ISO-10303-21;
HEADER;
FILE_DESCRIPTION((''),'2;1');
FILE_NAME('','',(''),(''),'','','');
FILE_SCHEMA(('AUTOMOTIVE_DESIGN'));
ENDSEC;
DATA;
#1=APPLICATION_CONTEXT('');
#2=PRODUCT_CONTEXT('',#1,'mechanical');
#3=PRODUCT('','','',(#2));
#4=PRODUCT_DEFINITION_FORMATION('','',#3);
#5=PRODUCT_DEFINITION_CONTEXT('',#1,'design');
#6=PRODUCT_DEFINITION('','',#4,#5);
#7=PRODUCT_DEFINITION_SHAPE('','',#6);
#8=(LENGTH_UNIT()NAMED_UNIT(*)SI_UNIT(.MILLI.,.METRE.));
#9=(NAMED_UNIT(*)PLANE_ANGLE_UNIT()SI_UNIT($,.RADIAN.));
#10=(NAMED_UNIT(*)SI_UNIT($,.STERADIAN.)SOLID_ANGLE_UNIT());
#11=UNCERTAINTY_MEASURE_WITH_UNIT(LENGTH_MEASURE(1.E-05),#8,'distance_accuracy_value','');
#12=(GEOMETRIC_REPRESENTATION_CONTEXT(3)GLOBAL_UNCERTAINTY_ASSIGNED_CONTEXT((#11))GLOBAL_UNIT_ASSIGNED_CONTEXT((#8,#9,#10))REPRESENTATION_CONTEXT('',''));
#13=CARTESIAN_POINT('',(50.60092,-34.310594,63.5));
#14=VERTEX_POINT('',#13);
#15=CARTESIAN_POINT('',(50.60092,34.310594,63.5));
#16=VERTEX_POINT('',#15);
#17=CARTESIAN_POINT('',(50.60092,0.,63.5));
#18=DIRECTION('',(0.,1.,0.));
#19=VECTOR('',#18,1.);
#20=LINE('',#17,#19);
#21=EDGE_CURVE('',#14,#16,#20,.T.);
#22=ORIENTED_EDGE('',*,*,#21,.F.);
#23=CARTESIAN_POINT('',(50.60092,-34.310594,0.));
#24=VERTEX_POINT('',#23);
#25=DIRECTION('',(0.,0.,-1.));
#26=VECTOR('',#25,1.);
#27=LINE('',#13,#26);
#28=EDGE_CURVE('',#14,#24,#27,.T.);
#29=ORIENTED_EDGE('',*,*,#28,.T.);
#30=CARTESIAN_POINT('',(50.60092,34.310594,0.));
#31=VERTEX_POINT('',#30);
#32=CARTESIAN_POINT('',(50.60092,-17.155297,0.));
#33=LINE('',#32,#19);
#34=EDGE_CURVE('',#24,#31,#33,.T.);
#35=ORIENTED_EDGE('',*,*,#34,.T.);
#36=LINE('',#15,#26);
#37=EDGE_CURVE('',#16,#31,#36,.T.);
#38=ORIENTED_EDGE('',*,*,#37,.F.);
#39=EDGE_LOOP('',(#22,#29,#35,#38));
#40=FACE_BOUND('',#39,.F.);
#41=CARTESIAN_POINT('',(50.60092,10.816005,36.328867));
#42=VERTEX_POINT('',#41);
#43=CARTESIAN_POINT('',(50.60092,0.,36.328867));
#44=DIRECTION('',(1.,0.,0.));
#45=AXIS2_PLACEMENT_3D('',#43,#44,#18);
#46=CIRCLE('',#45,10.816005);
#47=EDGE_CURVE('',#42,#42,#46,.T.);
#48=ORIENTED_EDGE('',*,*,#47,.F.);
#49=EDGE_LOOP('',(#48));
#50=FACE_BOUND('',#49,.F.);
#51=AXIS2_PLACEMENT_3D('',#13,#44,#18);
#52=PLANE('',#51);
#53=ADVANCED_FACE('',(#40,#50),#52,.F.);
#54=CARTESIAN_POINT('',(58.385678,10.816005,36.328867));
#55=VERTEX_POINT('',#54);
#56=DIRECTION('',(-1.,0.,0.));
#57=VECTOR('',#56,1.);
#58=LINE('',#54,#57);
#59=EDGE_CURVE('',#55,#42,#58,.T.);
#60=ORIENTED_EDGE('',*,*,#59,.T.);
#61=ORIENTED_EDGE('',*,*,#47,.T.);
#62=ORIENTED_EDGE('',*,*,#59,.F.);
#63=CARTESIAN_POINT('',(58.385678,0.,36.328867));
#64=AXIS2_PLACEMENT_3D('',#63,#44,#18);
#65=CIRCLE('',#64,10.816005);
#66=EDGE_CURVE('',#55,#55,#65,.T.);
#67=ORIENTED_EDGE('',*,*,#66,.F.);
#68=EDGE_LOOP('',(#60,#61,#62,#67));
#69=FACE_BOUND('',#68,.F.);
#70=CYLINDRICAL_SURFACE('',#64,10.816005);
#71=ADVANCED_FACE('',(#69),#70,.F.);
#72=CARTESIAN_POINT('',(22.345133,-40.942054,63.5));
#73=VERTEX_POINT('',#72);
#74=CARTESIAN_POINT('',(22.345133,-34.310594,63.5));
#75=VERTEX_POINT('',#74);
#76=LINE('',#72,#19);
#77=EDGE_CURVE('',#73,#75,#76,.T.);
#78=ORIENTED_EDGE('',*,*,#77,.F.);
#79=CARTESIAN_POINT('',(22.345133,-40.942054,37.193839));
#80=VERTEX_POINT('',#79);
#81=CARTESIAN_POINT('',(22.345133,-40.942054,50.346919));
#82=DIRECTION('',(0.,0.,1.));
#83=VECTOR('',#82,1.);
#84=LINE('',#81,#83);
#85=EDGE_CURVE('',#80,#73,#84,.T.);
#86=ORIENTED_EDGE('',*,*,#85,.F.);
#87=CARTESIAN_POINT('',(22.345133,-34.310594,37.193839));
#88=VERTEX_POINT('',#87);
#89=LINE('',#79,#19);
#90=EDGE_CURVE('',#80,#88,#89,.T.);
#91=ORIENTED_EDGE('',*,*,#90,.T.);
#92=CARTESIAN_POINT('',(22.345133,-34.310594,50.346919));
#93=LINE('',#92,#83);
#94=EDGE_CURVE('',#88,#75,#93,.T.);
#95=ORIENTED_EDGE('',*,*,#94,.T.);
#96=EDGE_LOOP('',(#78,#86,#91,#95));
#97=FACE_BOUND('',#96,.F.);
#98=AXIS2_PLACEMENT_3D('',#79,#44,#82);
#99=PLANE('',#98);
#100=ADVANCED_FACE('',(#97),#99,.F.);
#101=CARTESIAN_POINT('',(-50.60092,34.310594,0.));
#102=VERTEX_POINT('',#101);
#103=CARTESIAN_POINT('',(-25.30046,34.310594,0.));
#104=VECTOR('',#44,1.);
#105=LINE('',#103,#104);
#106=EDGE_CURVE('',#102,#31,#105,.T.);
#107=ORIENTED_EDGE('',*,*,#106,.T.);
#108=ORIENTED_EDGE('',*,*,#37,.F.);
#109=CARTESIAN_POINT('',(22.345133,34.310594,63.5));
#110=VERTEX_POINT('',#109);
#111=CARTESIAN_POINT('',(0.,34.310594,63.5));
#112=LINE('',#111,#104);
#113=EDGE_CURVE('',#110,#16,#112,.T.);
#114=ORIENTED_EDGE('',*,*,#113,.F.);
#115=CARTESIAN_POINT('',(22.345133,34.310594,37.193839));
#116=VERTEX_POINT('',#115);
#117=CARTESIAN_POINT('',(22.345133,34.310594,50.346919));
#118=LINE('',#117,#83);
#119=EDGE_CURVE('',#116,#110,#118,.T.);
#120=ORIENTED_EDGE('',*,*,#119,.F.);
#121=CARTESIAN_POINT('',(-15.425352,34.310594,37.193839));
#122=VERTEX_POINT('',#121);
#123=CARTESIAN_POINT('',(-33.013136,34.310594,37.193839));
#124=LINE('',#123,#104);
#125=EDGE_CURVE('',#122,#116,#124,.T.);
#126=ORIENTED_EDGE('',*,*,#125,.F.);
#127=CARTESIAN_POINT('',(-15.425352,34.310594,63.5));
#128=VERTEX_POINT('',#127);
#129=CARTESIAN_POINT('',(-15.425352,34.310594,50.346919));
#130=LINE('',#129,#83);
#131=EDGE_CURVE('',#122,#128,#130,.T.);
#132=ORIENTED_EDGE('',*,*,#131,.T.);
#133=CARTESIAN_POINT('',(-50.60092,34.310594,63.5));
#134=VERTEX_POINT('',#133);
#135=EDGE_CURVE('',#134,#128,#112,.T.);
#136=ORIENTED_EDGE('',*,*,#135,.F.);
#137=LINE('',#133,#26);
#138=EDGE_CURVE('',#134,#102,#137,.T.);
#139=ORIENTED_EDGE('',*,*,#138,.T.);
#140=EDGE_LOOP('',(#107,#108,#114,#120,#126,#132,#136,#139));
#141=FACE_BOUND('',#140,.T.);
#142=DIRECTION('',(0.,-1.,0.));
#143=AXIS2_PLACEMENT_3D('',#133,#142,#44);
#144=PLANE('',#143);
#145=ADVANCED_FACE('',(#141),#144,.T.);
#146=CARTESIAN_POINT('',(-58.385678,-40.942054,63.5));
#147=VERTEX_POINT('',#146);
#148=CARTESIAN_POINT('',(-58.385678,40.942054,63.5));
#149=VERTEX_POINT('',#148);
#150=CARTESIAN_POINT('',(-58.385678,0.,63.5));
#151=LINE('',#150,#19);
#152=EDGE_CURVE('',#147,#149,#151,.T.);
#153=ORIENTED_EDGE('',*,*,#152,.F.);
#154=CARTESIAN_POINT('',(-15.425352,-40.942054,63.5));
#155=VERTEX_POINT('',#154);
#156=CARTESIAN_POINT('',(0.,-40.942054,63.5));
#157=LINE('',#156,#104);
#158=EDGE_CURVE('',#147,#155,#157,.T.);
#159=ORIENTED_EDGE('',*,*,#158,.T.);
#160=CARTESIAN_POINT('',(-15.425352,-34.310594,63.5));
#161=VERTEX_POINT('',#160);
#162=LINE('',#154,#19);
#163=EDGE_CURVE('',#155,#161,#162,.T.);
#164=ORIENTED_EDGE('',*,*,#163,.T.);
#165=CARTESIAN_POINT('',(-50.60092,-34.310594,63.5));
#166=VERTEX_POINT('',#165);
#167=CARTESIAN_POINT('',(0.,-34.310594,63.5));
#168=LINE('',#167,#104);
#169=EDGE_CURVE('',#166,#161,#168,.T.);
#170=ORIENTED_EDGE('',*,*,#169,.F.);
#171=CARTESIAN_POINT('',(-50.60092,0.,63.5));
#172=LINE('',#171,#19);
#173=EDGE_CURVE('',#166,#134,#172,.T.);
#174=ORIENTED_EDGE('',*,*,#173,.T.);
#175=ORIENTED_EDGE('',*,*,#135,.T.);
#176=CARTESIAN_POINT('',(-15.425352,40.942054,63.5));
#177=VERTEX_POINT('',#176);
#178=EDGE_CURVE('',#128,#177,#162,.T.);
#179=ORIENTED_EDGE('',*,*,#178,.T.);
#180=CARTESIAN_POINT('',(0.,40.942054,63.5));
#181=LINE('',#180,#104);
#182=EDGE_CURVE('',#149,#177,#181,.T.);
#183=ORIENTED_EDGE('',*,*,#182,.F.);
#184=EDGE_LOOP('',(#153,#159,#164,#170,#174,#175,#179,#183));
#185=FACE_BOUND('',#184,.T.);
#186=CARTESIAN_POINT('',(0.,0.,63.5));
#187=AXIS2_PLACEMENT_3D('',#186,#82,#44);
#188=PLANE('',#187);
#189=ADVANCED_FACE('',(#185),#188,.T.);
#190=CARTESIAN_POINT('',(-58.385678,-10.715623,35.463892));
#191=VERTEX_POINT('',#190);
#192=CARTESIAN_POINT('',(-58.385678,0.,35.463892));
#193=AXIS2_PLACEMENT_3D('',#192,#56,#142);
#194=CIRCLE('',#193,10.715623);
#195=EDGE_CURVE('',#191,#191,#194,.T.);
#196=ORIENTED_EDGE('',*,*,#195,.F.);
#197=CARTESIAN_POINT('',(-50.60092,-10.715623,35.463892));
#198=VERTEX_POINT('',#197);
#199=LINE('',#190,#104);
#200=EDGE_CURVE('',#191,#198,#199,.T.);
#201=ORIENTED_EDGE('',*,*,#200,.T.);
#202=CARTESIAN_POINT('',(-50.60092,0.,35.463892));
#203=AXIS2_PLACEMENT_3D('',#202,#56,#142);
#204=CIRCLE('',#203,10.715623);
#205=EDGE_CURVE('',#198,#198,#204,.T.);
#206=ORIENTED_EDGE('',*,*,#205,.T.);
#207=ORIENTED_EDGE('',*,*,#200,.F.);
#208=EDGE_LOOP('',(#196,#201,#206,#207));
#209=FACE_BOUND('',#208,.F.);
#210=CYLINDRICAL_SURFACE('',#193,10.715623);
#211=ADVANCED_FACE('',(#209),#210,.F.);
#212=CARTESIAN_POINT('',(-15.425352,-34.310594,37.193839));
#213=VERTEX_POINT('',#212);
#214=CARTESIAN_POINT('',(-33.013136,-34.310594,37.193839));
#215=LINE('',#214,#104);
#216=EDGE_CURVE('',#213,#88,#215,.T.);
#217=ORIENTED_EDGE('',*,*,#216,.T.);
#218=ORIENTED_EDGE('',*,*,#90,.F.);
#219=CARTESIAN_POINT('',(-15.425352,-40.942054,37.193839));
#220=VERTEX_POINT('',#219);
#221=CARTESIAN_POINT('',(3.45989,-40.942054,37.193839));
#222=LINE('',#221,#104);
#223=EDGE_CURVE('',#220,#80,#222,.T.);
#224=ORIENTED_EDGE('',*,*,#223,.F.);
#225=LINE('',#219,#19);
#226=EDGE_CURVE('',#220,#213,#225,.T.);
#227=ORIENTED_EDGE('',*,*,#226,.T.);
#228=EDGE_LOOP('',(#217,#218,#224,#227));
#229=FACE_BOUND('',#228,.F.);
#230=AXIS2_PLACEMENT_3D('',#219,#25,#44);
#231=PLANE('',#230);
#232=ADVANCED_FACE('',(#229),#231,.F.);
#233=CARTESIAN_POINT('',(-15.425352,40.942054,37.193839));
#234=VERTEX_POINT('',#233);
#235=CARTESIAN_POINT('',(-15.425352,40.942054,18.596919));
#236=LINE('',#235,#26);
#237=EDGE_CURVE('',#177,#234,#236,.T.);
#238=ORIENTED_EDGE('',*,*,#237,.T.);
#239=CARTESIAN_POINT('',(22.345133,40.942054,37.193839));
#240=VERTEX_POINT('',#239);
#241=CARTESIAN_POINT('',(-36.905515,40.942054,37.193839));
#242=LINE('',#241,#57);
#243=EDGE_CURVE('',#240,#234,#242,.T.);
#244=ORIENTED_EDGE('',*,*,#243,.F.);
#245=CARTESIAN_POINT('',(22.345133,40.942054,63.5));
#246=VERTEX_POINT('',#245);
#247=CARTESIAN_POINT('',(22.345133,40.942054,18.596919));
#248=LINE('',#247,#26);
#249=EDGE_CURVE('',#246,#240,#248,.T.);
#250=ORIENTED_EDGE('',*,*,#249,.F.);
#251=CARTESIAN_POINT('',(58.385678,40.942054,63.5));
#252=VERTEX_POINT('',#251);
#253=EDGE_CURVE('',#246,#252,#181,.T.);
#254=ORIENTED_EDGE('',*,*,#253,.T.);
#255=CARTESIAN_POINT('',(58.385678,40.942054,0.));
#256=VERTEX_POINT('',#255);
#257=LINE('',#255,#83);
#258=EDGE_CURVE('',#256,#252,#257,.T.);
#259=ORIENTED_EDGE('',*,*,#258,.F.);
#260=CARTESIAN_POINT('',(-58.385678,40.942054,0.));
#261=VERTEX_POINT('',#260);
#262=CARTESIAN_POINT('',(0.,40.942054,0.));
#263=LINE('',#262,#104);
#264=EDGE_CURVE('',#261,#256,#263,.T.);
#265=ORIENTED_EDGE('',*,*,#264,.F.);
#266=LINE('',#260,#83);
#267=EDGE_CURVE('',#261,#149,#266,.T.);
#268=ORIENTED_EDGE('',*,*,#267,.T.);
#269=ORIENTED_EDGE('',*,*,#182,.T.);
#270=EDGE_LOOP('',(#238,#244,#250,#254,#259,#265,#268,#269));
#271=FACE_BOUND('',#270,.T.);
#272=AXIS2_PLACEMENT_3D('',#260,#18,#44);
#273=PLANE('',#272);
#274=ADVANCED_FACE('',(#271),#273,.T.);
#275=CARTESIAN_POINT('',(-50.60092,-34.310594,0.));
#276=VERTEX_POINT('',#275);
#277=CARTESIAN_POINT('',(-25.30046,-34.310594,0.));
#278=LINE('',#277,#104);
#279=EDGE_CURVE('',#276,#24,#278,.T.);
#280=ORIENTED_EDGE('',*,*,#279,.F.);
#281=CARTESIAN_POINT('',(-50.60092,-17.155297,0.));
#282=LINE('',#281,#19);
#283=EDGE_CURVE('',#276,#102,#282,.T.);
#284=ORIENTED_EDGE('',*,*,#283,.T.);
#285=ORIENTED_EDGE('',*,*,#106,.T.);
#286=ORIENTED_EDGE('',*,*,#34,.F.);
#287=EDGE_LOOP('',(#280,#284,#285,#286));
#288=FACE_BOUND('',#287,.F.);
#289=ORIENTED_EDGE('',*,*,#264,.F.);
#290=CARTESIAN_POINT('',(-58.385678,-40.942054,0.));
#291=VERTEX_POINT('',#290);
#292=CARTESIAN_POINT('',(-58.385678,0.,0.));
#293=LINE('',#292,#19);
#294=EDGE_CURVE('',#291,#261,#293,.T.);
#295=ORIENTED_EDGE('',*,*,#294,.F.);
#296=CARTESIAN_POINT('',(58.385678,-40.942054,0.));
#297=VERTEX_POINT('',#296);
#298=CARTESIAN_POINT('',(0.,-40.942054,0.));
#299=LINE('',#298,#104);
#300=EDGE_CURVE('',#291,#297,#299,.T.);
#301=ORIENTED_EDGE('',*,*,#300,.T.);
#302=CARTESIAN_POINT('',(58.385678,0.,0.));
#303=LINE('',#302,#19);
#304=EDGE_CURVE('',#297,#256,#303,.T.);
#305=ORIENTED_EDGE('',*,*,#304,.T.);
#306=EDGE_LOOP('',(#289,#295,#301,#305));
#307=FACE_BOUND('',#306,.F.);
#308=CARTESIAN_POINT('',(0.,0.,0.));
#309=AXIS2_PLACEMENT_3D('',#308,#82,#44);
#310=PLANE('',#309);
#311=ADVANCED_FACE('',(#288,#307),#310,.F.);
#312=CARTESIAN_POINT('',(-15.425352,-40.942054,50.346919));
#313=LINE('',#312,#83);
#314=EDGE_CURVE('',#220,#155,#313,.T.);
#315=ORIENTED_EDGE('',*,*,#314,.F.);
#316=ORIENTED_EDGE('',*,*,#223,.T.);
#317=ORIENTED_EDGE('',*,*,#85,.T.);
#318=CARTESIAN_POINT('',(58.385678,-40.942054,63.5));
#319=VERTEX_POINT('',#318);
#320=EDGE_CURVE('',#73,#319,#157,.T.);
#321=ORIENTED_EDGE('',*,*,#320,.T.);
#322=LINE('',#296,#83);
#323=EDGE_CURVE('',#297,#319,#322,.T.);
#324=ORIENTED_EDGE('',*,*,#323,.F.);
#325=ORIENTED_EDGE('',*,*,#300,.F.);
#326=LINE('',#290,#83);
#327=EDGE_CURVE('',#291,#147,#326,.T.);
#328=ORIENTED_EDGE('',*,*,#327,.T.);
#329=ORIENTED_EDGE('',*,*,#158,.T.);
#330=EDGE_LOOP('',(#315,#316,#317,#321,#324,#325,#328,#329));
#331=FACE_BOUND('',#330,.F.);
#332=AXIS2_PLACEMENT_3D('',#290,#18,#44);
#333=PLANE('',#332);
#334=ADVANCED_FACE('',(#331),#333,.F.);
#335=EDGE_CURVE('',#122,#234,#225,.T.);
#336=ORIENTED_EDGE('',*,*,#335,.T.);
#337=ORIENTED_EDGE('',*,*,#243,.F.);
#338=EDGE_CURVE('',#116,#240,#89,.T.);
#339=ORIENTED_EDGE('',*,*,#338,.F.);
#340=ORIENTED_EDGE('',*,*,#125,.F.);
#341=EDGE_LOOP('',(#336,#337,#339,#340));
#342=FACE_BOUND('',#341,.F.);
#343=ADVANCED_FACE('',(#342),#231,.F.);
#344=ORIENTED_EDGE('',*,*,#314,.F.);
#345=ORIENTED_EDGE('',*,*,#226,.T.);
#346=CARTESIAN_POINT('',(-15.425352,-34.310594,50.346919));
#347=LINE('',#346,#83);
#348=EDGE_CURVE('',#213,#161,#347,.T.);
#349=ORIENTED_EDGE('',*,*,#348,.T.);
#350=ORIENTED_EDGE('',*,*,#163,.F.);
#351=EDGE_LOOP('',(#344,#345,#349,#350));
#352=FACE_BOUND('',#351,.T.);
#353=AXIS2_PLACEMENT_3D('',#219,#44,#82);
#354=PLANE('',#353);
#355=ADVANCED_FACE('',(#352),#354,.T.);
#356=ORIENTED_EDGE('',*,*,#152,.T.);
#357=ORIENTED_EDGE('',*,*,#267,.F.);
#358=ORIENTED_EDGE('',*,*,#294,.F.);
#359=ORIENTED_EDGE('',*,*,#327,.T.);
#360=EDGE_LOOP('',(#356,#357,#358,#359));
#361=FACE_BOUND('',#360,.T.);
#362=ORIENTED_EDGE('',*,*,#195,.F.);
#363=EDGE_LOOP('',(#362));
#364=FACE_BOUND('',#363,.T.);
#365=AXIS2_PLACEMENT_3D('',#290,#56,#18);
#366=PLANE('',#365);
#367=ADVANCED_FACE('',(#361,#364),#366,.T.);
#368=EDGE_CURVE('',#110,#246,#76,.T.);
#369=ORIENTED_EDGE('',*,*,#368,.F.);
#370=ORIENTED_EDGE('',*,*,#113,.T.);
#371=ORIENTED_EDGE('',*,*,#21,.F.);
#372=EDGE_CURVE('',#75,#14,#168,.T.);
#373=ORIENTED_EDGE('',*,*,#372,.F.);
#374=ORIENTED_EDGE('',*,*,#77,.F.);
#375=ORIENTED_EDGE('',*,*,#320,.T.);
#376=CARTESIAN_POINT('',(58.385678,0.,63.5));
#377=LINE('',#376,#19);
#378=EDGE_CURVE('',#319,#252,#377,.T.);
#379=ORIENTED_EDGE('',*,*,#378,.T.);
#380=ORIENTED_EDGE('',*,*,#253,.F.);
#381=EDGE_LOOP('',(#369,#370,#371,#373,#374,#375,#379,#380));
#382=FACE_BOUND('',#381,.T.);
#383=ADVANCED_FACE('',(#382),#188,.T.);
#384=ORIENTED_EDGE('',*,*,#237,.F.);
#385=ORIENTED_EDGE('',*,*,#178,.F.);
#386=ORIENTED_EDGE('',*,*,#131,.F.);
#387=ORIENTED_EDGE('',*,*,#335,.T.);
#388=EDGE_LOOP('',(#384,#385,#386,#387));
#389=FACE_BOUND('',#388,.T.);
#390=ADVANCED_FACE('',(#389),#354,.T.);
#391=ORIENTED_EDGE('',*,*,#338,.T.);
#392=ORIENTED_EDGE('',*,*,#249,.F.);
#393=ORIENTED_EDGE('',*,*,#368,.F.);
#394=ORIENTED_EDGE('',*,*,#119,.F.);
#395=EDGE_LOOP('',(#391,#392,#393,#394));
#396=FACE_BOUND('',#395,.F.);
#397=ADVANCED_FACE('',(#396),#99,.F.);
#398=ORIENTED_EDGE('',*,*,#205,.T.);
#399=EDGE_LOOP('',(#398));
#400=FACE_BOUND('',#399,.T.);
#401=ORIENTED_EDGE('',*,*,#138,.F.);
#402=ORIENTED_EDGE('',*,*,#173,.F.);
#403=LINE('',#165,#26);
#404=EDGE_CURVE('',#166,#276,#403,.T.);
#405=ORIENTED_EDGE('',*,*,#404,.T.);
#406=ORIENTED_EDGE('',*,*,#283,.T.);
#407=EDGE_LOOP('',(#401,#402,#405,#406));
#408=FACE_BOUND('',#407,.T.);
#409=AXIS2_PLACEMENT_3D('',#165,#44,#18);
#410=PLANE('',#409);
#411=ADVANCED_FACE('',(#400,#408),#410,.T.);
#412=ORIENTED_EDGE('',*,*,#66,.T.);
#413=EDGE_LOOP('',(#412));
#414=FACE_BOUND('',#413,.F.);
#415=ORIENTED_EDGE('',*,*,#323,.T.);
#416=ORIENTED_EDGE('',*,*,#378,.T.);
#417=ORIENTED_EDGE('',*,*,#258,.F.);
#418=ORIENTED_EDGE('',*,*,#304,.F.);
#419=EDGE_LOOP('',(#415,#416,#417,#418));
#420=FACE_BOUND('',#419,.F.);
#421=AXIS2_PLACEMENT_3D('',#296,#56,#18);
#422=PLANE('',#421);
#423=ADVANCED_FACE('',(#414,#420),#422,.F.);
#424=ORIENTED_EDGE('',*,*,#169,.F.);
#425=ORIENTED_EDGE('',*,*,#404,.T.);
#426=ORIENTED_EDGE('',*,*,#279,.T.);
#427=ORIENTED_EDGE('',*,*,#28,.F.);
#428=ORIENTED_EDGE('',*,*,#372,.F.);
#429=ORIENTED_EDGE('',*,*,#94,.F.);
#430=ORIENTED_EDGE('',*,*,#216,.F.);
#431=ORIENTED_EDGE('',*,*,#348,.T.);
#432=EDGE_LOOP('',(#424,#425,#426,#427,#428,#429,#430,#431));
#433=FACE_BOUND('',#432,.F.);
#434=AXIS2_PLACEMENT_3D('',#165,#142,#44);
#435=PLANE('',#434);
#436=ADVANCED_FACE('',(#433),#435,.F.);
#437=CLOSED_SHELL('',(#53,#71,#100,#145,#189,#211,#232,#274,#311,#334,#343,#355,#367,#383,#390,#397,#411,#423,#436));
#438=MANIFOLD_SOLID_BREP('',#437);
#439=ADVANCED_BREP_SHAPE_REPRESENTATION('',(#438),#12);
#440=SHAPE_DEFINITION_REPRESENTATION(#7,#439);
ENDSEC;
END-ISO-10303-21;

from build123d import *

# Parameters (mm, degrees)
F0_W     = 116.7713552713
F0_H     = 81.8841084838
F1_DEPTH = 63.5
F2_W     = 101.201839745
F2_H     = 68.6211884022
F3_DEPTH = 76.2
F4_W     = 37.7704855055
F4_H     = 26.3061614931
F5_DEPTH = 101.6
F6_R     = 10.7156229068
F7_DEPTH = 101.6
F8_R     = 10.8160051842
F9_DEPTH = 101.6


with BuildPart() as f1:
    # F0 (on Top) → F1 (new body)
    with BuildSketch(Plane.XY):
        Rectangle(F0_W, F0_H)
    extrude(amount=F1_DEPTH)

    # F2 (on face) → F3 (cut)
    with BuildSketch(Plane.XY.offset(63.5)):
        Rectangle(F2_W, F2_H)
    extrude(amount=-F3_DEPTH, mode=Mode.SUBTRACT)

    # F4 (on face) → F5 (cut)
    with BuildSketch(Plane.XZ.offset(40.9420542419)):
        with Locations((3.4598903731, 50.3469192535)):
            Rectangle(F4_W, F4_H)
    extrude(amount=-F5_DEPTH, mode=Mode.SUBTRACT)

    # F6 (on face) → F7 (cut)
    with BuildSketch(Plane(origin=(-58.3856776357, 0, 0), x_dir=(0, -1, 0), z_dir=(-1, 0, 0))):
        with Locations((0, 35.4638919234)):
            Circle(F6_R)
    extrude(amount=-F7_DEPTH, mode=Mode.SUBTRACT)

    # F8 (on face) → F9 (cut)
    with BuildSketch(Plane.YZ.offset(58.3856776357)):
        with Locations((0, 36.3288670778)):
            Circle(F8_R)
    extrude(amount=-F9_DEPTH, mode=Mode.SUBTRACT)


solid = f1.part
